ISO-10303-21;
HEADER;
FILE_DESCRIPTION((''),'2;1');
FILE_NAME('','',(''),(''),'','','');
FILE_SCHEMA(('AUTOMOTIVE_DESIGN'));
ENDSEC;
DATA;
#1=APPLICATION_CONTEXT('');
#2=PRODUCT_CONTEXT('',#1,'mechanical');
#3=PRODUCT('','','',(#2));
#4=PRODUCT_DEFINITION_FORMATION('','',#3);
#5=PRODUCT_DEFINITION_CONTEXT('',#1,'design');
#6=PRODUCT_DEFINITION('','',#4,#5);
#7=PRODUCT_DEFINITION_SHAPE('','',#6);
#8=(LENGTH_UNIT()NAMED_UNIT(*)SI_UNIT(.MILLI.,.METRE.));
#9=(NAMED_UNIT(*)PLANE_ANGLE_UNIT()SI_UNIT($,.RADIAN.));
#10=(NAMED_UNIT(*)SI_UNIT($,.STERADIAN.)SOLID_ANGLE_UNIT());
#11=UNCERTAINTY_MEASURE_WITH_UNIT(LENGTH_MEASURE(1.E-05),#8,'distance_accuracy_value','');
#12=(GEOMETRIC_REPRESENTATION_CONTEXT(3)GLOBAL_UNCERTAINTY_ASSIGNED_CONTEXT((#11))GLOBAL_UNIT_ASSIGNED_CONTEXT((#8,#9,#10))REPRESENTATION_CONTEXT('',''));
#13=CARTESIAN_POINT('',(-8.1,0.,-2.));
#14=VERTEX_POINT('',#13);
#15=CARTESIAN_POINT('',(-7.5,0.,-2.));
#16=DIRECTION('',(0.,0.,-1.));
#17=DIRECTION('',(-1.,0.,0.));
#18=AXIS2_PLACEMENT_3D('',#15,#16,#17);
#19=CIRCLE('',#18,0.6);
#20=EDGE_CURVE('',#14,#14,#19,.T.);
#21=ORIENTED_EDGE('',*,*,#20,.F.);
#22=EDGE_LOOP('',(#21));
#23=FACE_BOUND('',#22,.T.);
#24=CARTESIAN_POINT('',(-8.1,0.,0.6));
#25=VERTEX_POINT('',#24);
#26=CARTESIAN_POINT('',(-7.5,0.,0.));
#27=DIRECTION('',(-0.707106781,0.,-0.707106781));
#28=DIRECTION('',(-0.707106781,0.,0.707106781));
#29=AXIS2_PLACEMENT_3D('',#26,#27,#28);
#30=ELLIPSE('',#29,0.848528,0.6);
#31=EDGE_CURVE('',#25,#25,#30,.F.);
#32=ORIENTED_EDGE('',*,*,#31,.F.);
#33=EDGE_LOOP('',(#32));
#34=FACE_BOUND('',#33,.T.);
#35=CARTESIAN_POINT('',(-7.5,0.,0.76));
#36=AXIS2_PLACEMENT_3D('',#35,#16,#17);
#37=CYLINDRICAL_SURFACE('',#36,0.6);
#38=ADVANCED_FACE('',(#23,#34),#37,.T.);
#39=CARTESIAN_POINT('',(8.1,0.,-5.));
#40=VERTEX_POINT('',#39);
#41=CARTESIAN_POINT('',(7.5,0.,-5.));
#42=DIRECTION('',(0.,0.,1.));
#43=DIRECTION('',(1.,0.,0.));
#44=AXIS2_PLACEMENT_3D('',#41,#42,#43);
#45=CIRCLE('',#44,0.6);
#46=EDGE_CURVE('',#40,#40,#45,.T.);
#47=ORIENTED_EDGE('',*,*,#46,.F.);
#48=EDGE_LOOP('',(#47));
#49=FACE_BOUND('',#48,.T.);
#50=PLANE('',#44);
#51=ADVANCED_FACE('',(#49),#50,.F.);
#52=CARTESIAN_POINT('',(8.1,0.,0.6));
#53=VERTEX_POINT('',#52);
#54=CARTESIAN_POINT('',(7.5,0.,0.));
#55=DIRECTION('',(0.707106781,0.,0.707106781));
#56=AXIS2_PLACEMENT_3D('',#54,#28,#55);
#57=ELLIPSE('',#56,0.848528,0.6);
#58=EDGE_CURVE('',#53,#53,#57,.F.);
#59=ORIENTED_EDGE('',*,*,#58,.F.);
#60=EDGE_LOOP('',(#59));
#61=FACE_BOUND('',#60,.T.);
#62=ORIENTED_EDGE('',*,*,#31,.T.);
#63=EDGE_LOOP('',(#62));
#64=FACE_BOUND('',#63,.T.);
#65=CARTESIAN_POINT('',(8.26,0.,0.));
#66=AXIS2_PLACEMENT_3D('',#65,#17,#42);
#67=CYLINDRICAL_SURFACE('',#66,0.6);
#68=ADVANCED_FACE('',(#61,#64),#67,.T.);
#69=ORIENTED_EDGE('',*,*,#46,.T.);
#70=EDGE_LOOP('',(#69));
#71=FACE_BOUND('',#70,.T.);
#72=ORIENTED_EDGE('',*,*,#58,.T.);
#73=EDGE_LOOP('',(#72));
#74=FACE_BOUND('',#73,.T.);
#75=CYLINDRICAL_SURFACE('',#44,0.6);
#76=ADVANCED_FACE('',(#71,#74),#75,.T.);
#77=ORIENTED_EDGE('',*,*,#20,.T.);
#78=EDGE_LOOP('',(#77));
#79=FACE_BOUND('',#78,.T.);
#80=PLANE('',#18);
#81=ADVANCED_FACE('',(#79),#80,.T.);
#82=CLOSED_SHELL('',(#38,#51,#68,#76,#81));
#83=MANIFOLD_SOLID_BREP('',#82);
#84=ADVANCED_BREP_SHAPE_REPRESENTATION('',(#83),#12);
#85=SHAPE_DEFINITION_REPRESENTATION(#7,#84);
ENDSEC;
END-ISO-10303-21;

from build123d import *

# Parameters (mm, degrees)
SKETCH3_R = 0.6


with BuildPart() as part:
    # Sweep1: sweep along a path in Sketch2
    with BuildLine(Plane(origin=(0, 0, 0), x_dir=(1, 0, 0), z_dir=(0, 1, 0))) as sweep1_path:
        Line((-7.5, 2), (-7.5, 0))
        Line((-7.5, 0), (7.5, 0))
        Line((7.5, 0), (7.5, 5))
    # Sketch3 → Sweep1 (sweep)
    with BuildSketch(Plane(origin=(-7.5, 0, -2), x_dir=(-1, 0, 0), z_dir=(0, 0, -1))):
        Circle(SKETCH3_R)
    sweep(path=sweep1_path.line, transition=Transition.RIGHT)


solid = part.part
